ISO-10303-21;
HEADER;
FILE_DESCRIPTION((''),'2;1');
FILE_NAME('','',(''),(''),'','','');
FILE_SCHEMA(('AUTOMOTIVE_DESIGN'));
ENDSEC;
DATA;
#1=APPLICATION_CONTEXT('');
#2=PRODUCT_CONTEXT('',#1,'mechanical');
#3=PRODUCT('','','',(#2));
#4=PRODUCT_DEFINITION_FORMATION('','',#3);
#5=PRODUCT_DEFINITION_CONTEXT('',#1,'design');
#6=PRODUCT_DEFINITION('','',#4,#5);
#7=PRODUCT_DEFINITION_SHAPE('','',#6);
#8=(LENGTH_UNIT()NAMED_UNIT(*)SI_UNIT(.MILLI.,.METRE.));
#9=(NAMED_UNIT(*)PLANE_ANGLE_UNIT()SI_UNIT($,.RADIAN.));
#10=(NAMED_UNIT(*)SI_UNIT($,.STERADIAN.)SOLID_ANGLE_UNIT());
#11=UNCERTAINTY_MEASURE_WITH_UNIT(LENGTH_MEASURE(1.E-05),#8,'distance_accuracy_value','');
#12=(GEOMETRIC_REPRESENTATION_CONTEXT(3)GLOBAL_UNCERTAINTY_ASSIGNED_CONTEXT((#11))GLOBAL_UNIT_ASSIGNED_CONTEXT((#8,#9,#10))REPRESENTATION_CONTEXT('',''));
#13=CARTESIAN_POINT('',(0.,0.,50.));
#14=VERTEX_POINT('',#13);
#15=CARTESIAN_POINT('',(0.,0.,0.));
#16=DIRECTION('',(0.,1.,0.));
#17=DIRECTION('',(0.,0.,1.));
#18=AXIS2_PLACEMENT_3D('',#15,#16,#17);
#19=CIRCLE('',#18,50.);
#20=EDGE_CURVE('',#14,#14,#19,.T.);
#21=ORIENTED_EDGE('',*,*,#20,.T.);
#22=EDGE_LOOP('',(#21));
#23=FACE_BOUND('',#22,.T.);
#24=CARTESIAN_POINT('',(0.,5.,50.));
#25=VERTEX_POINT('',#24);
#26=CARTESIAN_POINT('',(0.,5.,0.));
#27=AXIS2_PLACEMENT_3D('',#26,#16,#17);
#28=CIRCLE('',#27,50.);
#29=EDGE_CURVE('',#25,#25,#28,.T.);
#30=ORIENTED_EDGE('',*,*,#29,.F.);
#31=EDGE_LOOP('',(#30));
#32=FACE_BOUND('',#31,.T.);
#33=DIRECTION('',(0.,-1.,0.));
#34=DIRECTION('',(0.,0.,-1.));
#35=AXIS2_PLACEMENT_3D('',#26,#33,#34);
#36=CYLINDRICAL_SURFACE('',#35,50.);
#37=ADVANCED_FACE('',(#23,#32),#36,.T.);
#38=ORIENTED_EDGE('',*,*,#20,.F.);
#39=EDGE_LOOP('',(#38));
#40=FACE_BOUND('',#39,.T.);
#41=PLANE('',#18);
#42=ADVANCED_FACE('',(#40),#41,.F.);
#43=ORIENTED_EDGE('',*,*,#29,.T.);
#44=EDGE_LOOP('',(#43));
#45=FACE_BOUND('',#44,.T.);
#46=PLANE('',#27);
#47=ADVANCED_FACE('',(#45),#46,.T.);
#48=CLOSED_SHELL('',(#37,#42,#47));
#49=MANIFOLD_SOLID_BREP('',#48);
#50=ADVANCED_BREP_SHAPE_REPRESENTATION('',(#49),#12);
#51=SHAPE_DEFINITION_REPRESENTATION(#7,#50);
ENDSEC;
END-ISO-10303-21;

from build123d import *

# Parameters (mm, degrees)
SKETCH1_R           = 50
BOSS_EXTRUDE1_DEPTH = 5


with BuildPart() as part:
    # Sketch1 → Boss-Extrude1 (new body)
    with BuildSketch(Plane(origin=(0, 0, 0), x_dir=(1, 0, 0), z_dir=(0, 1, 0))):
        Circle(SKETCH1_R)
    extrude(amount=BOSS_EXTRUDE1_DEPTH)


solid = part.part
